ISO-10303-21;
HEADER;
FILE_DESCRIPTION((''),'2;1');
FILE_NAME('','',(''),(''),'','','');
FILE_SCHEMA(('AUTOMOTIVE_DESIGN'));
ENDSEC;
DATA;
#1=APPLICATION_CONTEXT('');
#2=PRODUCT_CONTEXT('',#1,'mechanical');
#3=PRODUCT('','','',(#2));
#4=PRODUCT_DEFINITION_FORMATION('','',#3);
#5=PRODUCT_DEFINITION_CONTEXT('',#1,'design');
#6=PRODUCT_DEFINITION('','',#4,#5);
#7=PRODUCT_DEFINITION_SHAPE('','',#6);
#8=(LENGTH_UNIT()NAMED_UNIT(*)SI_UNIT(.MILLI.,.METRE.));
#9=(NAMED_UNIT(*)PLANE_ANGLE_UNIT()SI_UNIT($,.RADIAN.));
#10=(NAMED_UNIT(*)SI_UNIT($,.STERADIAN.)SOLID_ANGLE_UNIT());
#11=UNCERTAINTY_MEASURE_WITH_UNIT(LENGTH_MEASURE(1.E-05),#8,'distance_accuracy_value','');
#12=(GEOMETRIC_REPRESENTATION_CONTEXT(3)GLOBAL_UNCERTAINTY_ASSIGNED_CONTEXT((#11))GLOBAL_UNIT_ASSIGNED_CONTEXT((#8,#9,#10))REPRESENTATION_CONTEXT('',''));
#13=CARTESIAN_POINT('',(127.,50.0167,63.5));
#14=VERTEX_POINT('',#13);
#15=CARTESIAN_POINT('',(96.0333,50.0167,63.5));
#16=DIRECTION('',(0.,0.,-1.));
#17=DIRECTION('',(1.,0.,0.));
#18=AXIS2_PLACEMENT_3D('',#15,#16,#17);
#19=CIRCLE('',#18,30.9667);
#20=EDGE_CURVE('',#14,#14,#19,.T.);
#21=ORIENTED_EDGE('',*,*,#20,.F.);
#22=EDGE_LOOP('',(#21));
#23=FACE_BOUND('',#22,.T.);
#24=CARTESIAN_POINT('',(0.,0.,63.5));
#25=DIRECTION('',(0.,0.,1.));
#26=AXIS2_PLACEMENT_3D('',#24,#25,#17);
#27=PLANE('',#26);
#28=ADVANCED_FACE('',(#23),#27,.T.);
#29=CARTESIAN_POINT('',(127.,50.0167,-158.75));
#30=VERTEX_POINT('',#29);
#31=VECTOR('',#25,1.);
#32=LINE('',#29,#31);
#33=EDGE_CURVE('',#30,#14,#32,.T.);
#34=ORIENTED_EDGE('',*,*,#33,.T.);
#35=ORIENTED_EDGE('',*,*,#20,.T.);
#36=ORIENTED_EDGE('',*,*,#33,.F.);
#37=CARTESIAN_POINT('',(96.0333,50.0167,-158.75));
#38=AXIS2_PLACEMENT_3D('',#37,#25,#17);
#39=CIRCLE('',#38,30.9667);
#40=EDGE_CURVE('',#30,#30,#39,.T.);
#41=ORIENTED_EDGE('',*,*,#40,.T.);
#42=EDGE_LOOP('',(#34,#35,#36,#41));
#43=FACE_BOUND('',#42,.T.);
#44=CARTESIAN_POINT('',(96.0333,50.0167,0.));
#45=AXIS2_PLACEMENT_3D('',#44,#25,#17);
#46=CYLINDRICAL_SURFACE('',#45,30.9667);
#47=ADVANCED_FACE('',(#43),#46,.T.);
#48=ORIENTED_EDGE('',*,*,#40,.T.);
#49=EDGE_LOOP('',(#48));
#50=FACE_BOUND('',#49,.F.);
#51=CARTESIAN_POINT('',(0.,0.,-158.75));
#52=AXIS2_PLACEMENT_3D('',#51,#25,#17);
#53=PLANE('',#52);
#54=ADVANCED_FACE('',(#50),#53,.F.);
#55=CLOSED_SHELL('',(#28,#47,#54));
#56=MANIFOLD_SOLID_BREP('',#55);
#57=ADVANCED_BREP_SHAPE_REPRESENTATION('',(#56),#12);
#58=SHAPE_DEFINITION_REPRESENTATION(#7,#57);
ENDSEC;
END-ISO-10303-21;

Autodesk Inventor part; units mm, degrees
ref_plane "YZ Plane" through (0, 0, 0) normal (1, 0, 0) x (0, 1, 0)
ref_plane "XZ Plane" through (0, 0, 0) normal (0, 1, 0) x (-1, 0, 0)
sketch "Sketch1" plane through (0, 0, 0) normal (0, 0, 1) x (1, 0, 0)
  circle A0 centre (96.0333, 50.0167) radius 30.9667
  line L0 (0, 19.05) -> (127, 19.05) projected
  line L1 (127, 0) -> (127, 19.05) projected
  line L2 (127, 0) -> (127, 102.2315) construction
  point P0 (0, 0)
ref_plane "Work Plane1" through (0, 0, -158.75) normal (0, 0, -1) x (0, 1, 0)
extrude "Extrusion1" add sketch "Sketch1" against normal blind 158.75 and the other way blind 63.5
properties part number "Short Noodle"
